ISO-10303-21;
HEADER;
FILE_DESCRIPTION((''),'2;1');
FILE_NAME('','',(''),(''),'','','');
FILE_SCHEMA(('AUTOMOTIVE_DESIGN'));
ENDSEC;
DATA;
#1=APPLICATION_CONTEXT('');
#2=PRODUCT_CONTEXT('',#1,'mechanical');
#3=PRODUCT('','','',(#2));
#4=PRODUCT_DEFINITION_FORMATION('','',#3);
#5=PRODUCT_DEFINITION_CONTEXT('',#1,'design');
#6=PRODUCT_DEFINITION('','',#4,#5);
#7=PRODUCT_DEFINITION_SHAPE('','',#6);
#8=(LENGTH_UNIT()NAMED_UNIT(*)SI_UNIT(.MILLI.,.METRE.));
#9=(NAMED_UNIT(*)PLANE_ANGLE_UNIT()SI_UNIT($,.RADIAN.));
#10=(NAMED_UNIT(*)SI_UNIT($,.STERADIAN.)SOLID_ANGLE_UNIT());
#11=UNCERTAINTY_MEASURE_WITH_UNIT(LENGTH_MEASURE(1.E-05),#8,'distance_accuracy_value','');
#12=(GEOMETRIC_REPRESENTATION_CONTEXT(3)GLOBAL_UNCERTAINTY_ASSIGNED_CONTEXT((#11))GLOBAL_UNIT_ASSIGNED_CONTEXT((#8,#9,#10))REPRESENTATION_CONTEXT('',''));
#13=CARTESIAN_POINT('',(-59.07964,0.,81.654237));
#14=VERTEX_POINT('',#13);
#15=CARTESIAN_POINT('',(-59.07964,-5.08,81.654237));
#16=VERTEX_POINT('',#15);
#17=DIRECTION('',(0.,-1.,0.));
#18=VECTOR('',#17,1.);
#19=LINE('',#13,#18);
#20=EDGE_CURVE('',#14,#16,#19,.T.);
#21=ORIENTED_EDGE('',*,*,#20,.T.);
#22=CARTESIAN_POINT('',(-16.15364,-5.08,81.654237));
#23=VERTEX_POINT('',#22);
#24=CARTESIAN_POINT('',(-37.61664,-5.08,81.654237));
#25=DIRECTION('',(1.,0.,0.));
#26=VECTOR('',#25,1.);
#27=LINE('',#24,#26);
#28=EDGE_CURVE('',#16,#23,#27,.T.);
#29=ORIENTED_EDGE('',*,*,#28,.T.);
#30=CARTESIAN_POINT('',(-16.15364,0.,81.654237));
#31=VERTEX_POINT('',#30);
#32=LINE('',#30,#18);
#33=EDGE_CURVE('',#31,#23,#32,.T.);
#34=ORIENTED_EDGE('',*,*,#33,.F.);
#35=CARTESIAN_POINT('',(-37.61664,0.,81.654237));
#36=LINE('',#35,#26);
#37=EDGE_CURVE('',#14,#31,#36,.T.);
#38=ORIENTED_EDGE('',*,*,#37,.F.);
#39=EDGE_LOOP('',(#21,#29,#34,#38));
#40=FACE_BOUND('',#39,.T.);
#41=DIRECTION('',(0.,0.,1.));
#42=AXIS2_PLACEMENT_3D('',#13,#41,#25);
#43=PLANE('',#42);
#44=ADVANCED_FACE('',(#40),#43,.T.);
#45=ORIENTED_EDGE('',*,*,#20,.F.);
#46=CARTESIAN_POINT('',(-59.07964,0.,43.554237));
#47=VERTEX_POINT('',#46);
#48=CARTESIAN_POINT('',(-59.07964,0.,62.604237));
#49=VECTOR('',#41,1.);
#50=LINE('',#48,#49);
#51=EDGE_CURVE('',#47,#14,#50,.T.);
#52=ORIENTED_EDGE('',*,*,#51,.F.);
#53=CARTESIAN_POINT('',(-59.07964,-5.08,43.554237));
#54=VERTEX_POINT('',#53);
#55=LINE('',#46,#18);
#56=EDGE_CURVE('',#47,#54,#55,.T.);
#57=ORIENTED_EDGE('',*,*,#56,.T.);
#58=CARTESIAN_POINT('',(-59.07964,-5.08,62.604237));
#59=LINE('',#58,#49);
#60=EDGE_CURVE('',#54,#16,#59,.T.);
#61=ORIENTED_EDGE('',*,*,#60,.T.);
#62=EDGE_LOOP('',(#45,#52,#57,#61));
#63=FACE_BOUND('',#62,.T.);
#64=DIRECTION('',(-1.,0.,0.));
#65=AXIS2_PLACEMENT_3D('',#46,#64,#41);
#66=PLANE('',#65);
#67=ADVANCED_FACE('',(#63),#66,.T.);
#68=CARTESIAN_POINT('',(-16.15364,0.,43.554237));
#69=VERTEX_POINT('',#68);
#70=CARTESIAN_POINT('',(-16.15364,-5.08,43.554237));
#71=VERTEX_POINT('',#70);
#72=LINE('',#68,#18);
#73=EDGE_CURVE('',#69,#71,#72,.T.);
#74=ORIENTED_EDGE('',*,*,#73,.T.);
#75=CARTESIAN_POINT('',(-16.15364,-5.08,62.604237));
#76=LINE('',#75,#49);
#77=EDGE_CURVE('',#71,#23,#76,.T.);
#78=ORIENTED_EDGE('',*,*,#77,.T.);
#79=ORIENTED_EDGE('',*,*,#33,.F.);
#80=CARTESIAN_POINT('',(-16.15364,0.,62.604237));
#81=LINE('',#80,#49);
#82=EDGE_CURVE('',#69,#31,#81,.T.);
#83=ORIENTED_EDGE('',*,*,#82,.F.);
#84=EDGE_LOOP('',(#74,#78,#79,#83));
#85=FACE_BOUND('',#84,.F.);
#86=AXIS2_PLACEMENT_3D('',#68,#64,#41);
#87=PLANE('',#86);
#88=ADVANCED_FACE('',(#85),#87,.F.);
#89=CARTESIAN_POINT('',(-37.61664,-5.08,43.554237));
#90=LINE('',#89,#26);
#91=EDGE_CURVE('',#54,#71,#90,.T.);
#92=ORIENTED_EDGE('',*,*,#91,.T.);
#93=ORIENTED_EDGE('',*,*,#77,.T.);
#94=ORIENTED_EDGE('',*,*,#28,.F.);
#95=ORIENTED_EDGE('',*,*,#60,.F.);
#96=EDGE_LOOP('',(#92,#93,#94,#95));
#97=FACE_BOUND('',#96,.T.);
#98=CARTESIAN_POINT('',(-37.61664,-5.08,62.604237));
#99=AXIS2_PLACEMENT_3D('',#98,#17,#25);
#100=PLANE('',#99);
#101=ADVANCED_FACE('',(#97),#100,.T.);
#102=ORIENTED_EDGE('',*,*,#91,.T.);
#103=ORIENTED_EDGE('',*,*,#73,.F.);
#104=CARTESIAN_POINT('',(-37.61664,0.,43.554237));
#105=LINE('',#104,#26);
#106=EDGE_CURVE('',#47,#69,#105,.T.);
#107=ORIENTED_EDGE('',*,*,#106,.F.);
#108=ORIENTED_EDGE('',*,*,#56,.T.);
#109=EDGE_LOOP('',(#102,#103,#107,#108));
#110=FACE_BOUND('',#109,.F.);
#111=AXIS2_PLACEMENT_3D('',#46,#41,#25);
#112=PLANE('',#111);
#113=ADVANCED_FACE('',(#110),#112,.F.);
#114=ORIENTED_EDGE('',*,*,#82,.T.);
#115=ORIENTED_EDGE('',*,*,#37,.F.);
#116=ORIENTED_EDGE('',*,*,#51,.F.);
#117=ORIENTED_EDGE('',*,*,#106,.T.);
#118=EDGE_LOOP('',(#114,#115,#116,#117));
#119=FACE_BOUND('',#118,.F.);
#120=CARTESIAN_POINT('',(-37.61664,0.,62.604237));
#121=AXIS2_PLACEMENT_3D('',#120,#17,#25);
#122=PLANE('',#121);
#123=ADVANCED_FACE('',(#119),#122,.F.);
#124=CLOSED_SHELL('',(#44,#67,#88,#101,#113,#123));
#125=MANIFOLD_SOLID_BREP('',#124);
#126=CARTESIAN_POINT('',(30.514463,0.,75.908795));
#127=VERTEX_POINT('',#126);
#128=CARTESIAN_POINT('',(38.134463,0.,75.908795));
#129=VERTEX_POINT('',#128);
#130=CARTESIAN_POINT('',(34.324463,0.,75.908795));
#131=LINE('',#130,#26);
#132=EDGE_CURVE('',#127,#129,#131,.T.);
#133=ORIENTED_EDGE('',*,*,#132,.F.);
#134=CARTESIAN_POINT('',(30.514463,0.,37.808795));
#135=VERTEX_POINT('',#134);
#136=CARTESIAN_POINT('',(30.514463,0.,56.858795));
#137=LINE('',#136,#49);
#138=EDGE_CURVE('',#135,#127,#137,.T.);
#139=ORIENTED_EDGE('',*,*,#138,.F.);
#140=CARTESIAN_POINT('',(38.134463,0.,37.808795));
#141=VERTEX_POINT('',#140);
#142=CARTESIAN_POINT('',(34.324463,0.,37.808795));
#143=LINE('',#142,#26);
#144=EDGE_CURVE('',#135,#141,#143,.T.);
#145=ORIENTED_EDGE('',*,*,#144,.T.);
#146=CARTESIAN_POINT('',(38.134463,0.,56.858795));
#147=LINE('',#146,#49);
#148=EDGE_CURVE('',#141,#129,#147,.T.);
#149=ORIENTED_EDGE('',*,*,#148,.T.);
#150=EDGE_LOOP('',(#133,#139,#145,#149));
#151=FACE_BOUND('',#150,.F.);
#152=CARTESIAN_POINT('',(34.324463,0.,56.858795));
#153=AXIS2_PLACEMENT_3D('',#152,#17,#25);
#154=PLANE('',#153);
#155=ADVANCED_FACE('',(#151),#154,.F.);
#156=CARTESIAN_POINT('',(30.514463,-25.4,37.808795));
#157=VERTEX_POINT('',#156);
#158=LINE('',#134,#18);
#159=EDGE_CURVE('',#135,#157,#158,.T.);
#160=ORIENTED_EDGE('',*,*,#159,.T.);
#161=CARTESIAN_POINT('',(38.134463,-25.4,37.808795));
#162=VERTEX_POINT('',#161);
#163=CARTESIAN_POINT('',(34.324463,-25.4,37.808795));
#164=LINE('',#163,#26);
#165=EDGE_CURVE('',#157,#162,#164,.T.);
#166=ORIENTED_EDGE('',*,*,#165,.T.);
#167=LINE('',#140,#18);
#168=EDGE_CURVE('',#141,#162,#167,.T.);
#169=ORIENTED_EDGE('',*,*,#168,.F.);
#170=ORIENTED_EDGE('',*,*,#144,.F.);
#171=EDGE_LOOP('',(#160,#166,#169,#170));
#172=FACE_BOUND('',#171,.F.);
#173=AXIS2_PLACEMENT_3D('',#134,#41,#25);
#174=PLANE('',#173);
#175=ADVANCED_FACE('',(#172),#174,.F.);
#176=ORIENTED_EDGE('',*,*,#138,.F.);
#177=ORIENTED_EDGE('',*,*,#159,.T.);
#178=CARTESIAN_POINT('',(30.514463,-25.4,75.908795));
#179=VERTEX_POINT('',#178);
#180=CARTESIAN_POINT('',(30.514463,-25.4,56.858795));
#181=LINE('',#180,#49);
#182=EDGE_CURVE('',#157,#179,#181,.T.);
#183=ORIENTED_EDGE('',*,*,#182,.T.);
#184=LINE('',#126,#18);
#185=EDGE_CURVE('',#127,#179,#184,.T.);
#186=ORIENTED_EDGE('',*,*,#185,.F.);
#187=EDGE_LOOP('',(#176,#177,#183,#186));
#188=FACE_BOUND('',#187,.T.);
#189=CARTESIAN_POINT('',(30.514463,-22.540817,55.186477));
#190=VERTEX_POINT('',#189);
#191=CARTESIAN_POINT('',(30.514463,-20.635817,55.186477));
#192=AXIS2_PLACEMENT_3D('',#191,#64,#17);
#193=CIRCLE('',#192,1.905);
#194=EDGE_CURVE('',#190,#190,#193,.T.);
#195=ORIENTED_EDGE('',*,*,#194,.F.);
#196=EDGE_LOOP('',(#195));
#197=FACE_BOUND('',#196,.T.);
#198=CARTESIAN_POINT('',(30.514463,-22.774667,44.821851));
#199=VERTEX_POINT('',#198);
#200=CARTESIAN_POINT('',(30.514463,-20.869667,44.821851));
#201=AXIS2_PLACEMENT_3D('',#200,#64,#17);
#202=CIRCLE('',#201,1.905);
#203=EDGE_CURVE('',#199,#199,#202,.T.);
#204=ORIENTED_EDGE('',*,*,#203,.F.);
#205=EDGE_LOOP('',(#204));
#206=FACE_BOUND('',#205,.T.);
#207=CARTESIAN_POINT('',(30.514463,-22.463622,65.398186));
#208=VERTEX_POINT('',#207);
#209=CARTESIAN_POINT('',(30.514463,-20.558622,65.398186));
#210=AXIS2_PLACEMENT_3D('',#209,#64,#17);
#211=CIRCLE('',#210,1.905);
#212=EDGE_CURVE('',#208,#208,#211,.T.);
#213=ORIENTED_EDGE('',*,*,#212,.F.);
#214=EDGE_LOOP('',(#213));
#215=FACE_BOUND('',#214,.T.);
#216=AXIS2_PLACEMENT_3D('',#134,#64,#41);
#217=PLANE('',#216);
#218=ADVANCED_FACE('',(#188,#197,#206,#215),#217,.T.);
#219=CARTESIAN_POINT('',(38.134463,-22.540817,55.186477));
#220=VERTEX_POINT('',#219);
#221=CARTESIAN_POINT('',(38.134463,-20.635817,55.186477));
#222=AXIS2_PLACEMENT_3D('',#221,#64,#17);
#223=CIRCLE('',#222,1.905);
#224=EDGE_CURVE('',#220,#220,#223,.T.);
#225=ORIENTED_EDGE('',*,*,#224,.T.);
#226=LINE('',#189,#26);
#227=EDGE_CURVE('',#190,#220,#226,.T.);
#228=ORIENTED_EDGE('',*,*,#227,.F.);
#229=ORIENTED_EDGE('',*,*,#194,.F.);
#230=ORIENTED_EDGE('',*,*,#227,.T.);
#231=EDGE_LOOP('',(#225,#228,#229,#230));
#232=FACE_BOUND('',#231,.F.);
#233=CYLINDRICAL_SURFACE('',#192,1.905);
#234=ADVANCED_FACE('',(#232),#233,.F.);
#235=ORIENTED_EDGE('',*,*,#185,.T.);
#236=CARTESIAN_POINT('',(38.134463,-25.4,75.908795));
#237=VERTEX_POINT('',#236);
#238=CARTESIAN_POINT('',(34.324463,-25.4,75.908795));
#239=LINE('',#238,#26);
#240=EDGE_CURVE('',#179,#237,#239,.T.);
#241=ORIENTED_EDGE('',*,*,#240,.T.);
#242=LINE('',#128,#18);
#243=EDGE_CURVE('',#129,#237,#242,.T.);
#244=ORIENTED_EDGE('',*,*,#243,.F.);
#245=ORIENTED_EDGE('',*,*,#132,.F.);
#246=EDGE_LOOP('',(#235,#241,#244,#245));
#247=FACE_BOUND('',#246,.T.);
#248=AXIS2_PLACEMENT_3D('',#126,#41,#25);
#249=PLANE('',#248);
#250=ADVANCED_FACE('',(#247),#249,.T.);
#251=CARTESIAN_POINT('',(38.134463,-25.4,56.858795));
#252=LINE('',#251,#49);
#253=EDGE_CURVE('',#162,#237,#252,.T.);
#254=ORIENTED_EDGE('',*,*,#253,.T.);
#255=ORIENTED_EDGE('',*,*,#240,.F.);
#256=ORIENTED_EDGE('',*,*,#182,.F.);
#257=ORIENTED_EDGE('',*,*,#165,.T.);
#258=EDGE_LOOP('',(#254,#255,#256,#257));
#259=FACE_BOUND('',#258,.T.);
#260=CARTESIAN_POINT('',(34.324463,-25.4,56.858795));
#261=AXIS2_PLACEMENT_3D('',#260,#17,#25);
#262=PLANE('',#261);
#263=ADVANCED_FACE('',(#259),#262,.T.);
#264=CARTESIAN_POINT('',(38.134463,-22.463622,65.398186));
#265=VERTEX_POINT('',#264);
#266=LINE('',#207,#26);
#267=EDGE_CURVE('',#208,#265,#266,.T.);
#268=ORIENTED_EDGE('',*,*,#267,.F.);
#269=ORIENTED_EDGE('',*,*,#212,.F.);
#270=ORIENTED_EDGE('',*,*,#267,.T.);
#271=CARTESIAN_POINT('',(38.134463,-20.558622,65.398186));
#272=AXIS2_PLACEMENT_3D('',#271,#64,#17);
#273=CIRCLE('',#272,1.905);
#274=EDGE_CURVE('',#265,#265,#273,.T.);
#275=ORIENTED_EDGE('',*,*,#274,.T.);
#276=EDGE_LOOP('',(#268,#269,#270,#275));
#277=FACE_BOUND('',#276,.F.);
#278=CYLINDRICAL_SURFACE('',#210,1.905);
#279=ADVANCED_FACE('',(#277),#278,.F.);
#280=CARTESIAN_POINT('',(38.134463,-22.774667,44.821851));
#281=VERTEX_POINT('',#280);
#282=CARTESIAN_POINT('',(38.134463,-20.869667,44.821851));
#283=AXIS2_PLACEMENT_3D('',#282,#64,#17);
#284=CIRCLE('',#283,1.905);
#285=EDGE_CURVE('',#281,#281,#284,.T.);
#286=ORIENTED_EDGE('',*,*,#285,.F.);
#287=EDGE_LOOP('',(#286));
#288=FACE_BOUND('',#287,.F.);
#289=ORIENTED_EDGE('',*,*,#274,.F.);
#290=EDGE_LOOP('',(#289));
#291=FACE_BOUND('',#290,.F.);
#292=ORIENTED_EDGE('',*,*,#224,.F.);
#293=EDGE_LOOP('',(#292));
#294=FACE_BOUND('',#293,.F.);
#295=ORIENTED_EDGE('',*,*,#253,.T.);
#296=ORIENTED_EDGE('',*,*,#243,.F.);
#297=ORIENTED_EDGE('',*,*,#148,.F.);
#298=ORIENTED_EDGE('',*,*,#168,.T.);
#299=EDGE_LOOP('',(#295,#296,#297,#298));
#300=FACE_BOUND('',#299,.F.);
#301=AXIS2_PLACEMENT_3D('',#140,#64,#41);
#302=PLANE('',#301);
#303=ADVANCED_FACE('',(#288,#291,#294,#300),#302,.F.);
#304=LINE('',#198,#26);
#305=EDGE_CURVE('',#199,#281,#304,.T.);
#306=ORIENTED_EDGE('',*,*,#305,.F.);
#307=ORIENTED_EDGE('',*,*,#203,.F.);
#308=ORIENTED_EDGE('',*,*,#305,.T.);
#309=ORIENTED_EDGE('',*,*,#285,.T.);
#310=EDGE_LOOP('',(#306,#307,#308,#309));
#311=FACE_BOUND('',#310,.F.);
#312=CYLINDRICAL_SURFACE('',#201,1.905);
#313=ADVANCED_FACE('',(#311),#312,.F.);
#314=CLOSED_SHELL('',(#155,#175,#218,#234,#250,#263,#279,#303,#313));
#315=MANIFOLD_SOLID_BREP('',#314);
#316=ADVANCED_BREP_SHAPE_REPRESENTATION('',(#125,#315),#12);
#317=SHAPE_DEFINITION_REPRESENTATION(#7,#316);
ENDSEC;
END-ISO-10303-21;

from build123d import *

# Parameters (mm, degrees)
F0_W     = 42.926
F0_H     = 38.1
F1_DEPTH = 5.08
F2_W     = 7.62
F2_H     = 38.1
F3_DEPTH = 25.4
F4_R     = 1.905
F5_DEPTH = 25.4


with BuildPart() as f1:
    # F0 (on Front) → F1 (new body)
    with BuildSketch(Plane.XZ):
        with Locations((-37.61664, 62.604237)):
            Rectangle(F0_W, F0_H)
    extrude(amount=F1_DEPTH)


with BuildPart() as f3:
    # F2 (on Front) → F3 (new body)
    with BuildSketch(Plane.XZ):
        with Locations((34.324463, 56.858795)):
            Rectangle(F2_W, F2_H)
    extrude(amount=F3_DEPTH)

    # F4 (on face) → F5 (cut)
    with BuildSketch(Plane(origin=(30.514463, 0, 0), x_dir=(0, -1, 0), z_dir=(-1, 0, 0))):
        with Locations((20.558622, 65.398186)):
            Circle(F4_R)
        with Locations((20.635817, 55.186477)):
            Circle(F4_R)
        with Locations((20.869667, 44.821851)):
            Circle(F4_R)
    extrude(amount=-F5_DEPTH, mode=Mode.SUBTRACT)


solid = Compound([f1.part, f3.part])
